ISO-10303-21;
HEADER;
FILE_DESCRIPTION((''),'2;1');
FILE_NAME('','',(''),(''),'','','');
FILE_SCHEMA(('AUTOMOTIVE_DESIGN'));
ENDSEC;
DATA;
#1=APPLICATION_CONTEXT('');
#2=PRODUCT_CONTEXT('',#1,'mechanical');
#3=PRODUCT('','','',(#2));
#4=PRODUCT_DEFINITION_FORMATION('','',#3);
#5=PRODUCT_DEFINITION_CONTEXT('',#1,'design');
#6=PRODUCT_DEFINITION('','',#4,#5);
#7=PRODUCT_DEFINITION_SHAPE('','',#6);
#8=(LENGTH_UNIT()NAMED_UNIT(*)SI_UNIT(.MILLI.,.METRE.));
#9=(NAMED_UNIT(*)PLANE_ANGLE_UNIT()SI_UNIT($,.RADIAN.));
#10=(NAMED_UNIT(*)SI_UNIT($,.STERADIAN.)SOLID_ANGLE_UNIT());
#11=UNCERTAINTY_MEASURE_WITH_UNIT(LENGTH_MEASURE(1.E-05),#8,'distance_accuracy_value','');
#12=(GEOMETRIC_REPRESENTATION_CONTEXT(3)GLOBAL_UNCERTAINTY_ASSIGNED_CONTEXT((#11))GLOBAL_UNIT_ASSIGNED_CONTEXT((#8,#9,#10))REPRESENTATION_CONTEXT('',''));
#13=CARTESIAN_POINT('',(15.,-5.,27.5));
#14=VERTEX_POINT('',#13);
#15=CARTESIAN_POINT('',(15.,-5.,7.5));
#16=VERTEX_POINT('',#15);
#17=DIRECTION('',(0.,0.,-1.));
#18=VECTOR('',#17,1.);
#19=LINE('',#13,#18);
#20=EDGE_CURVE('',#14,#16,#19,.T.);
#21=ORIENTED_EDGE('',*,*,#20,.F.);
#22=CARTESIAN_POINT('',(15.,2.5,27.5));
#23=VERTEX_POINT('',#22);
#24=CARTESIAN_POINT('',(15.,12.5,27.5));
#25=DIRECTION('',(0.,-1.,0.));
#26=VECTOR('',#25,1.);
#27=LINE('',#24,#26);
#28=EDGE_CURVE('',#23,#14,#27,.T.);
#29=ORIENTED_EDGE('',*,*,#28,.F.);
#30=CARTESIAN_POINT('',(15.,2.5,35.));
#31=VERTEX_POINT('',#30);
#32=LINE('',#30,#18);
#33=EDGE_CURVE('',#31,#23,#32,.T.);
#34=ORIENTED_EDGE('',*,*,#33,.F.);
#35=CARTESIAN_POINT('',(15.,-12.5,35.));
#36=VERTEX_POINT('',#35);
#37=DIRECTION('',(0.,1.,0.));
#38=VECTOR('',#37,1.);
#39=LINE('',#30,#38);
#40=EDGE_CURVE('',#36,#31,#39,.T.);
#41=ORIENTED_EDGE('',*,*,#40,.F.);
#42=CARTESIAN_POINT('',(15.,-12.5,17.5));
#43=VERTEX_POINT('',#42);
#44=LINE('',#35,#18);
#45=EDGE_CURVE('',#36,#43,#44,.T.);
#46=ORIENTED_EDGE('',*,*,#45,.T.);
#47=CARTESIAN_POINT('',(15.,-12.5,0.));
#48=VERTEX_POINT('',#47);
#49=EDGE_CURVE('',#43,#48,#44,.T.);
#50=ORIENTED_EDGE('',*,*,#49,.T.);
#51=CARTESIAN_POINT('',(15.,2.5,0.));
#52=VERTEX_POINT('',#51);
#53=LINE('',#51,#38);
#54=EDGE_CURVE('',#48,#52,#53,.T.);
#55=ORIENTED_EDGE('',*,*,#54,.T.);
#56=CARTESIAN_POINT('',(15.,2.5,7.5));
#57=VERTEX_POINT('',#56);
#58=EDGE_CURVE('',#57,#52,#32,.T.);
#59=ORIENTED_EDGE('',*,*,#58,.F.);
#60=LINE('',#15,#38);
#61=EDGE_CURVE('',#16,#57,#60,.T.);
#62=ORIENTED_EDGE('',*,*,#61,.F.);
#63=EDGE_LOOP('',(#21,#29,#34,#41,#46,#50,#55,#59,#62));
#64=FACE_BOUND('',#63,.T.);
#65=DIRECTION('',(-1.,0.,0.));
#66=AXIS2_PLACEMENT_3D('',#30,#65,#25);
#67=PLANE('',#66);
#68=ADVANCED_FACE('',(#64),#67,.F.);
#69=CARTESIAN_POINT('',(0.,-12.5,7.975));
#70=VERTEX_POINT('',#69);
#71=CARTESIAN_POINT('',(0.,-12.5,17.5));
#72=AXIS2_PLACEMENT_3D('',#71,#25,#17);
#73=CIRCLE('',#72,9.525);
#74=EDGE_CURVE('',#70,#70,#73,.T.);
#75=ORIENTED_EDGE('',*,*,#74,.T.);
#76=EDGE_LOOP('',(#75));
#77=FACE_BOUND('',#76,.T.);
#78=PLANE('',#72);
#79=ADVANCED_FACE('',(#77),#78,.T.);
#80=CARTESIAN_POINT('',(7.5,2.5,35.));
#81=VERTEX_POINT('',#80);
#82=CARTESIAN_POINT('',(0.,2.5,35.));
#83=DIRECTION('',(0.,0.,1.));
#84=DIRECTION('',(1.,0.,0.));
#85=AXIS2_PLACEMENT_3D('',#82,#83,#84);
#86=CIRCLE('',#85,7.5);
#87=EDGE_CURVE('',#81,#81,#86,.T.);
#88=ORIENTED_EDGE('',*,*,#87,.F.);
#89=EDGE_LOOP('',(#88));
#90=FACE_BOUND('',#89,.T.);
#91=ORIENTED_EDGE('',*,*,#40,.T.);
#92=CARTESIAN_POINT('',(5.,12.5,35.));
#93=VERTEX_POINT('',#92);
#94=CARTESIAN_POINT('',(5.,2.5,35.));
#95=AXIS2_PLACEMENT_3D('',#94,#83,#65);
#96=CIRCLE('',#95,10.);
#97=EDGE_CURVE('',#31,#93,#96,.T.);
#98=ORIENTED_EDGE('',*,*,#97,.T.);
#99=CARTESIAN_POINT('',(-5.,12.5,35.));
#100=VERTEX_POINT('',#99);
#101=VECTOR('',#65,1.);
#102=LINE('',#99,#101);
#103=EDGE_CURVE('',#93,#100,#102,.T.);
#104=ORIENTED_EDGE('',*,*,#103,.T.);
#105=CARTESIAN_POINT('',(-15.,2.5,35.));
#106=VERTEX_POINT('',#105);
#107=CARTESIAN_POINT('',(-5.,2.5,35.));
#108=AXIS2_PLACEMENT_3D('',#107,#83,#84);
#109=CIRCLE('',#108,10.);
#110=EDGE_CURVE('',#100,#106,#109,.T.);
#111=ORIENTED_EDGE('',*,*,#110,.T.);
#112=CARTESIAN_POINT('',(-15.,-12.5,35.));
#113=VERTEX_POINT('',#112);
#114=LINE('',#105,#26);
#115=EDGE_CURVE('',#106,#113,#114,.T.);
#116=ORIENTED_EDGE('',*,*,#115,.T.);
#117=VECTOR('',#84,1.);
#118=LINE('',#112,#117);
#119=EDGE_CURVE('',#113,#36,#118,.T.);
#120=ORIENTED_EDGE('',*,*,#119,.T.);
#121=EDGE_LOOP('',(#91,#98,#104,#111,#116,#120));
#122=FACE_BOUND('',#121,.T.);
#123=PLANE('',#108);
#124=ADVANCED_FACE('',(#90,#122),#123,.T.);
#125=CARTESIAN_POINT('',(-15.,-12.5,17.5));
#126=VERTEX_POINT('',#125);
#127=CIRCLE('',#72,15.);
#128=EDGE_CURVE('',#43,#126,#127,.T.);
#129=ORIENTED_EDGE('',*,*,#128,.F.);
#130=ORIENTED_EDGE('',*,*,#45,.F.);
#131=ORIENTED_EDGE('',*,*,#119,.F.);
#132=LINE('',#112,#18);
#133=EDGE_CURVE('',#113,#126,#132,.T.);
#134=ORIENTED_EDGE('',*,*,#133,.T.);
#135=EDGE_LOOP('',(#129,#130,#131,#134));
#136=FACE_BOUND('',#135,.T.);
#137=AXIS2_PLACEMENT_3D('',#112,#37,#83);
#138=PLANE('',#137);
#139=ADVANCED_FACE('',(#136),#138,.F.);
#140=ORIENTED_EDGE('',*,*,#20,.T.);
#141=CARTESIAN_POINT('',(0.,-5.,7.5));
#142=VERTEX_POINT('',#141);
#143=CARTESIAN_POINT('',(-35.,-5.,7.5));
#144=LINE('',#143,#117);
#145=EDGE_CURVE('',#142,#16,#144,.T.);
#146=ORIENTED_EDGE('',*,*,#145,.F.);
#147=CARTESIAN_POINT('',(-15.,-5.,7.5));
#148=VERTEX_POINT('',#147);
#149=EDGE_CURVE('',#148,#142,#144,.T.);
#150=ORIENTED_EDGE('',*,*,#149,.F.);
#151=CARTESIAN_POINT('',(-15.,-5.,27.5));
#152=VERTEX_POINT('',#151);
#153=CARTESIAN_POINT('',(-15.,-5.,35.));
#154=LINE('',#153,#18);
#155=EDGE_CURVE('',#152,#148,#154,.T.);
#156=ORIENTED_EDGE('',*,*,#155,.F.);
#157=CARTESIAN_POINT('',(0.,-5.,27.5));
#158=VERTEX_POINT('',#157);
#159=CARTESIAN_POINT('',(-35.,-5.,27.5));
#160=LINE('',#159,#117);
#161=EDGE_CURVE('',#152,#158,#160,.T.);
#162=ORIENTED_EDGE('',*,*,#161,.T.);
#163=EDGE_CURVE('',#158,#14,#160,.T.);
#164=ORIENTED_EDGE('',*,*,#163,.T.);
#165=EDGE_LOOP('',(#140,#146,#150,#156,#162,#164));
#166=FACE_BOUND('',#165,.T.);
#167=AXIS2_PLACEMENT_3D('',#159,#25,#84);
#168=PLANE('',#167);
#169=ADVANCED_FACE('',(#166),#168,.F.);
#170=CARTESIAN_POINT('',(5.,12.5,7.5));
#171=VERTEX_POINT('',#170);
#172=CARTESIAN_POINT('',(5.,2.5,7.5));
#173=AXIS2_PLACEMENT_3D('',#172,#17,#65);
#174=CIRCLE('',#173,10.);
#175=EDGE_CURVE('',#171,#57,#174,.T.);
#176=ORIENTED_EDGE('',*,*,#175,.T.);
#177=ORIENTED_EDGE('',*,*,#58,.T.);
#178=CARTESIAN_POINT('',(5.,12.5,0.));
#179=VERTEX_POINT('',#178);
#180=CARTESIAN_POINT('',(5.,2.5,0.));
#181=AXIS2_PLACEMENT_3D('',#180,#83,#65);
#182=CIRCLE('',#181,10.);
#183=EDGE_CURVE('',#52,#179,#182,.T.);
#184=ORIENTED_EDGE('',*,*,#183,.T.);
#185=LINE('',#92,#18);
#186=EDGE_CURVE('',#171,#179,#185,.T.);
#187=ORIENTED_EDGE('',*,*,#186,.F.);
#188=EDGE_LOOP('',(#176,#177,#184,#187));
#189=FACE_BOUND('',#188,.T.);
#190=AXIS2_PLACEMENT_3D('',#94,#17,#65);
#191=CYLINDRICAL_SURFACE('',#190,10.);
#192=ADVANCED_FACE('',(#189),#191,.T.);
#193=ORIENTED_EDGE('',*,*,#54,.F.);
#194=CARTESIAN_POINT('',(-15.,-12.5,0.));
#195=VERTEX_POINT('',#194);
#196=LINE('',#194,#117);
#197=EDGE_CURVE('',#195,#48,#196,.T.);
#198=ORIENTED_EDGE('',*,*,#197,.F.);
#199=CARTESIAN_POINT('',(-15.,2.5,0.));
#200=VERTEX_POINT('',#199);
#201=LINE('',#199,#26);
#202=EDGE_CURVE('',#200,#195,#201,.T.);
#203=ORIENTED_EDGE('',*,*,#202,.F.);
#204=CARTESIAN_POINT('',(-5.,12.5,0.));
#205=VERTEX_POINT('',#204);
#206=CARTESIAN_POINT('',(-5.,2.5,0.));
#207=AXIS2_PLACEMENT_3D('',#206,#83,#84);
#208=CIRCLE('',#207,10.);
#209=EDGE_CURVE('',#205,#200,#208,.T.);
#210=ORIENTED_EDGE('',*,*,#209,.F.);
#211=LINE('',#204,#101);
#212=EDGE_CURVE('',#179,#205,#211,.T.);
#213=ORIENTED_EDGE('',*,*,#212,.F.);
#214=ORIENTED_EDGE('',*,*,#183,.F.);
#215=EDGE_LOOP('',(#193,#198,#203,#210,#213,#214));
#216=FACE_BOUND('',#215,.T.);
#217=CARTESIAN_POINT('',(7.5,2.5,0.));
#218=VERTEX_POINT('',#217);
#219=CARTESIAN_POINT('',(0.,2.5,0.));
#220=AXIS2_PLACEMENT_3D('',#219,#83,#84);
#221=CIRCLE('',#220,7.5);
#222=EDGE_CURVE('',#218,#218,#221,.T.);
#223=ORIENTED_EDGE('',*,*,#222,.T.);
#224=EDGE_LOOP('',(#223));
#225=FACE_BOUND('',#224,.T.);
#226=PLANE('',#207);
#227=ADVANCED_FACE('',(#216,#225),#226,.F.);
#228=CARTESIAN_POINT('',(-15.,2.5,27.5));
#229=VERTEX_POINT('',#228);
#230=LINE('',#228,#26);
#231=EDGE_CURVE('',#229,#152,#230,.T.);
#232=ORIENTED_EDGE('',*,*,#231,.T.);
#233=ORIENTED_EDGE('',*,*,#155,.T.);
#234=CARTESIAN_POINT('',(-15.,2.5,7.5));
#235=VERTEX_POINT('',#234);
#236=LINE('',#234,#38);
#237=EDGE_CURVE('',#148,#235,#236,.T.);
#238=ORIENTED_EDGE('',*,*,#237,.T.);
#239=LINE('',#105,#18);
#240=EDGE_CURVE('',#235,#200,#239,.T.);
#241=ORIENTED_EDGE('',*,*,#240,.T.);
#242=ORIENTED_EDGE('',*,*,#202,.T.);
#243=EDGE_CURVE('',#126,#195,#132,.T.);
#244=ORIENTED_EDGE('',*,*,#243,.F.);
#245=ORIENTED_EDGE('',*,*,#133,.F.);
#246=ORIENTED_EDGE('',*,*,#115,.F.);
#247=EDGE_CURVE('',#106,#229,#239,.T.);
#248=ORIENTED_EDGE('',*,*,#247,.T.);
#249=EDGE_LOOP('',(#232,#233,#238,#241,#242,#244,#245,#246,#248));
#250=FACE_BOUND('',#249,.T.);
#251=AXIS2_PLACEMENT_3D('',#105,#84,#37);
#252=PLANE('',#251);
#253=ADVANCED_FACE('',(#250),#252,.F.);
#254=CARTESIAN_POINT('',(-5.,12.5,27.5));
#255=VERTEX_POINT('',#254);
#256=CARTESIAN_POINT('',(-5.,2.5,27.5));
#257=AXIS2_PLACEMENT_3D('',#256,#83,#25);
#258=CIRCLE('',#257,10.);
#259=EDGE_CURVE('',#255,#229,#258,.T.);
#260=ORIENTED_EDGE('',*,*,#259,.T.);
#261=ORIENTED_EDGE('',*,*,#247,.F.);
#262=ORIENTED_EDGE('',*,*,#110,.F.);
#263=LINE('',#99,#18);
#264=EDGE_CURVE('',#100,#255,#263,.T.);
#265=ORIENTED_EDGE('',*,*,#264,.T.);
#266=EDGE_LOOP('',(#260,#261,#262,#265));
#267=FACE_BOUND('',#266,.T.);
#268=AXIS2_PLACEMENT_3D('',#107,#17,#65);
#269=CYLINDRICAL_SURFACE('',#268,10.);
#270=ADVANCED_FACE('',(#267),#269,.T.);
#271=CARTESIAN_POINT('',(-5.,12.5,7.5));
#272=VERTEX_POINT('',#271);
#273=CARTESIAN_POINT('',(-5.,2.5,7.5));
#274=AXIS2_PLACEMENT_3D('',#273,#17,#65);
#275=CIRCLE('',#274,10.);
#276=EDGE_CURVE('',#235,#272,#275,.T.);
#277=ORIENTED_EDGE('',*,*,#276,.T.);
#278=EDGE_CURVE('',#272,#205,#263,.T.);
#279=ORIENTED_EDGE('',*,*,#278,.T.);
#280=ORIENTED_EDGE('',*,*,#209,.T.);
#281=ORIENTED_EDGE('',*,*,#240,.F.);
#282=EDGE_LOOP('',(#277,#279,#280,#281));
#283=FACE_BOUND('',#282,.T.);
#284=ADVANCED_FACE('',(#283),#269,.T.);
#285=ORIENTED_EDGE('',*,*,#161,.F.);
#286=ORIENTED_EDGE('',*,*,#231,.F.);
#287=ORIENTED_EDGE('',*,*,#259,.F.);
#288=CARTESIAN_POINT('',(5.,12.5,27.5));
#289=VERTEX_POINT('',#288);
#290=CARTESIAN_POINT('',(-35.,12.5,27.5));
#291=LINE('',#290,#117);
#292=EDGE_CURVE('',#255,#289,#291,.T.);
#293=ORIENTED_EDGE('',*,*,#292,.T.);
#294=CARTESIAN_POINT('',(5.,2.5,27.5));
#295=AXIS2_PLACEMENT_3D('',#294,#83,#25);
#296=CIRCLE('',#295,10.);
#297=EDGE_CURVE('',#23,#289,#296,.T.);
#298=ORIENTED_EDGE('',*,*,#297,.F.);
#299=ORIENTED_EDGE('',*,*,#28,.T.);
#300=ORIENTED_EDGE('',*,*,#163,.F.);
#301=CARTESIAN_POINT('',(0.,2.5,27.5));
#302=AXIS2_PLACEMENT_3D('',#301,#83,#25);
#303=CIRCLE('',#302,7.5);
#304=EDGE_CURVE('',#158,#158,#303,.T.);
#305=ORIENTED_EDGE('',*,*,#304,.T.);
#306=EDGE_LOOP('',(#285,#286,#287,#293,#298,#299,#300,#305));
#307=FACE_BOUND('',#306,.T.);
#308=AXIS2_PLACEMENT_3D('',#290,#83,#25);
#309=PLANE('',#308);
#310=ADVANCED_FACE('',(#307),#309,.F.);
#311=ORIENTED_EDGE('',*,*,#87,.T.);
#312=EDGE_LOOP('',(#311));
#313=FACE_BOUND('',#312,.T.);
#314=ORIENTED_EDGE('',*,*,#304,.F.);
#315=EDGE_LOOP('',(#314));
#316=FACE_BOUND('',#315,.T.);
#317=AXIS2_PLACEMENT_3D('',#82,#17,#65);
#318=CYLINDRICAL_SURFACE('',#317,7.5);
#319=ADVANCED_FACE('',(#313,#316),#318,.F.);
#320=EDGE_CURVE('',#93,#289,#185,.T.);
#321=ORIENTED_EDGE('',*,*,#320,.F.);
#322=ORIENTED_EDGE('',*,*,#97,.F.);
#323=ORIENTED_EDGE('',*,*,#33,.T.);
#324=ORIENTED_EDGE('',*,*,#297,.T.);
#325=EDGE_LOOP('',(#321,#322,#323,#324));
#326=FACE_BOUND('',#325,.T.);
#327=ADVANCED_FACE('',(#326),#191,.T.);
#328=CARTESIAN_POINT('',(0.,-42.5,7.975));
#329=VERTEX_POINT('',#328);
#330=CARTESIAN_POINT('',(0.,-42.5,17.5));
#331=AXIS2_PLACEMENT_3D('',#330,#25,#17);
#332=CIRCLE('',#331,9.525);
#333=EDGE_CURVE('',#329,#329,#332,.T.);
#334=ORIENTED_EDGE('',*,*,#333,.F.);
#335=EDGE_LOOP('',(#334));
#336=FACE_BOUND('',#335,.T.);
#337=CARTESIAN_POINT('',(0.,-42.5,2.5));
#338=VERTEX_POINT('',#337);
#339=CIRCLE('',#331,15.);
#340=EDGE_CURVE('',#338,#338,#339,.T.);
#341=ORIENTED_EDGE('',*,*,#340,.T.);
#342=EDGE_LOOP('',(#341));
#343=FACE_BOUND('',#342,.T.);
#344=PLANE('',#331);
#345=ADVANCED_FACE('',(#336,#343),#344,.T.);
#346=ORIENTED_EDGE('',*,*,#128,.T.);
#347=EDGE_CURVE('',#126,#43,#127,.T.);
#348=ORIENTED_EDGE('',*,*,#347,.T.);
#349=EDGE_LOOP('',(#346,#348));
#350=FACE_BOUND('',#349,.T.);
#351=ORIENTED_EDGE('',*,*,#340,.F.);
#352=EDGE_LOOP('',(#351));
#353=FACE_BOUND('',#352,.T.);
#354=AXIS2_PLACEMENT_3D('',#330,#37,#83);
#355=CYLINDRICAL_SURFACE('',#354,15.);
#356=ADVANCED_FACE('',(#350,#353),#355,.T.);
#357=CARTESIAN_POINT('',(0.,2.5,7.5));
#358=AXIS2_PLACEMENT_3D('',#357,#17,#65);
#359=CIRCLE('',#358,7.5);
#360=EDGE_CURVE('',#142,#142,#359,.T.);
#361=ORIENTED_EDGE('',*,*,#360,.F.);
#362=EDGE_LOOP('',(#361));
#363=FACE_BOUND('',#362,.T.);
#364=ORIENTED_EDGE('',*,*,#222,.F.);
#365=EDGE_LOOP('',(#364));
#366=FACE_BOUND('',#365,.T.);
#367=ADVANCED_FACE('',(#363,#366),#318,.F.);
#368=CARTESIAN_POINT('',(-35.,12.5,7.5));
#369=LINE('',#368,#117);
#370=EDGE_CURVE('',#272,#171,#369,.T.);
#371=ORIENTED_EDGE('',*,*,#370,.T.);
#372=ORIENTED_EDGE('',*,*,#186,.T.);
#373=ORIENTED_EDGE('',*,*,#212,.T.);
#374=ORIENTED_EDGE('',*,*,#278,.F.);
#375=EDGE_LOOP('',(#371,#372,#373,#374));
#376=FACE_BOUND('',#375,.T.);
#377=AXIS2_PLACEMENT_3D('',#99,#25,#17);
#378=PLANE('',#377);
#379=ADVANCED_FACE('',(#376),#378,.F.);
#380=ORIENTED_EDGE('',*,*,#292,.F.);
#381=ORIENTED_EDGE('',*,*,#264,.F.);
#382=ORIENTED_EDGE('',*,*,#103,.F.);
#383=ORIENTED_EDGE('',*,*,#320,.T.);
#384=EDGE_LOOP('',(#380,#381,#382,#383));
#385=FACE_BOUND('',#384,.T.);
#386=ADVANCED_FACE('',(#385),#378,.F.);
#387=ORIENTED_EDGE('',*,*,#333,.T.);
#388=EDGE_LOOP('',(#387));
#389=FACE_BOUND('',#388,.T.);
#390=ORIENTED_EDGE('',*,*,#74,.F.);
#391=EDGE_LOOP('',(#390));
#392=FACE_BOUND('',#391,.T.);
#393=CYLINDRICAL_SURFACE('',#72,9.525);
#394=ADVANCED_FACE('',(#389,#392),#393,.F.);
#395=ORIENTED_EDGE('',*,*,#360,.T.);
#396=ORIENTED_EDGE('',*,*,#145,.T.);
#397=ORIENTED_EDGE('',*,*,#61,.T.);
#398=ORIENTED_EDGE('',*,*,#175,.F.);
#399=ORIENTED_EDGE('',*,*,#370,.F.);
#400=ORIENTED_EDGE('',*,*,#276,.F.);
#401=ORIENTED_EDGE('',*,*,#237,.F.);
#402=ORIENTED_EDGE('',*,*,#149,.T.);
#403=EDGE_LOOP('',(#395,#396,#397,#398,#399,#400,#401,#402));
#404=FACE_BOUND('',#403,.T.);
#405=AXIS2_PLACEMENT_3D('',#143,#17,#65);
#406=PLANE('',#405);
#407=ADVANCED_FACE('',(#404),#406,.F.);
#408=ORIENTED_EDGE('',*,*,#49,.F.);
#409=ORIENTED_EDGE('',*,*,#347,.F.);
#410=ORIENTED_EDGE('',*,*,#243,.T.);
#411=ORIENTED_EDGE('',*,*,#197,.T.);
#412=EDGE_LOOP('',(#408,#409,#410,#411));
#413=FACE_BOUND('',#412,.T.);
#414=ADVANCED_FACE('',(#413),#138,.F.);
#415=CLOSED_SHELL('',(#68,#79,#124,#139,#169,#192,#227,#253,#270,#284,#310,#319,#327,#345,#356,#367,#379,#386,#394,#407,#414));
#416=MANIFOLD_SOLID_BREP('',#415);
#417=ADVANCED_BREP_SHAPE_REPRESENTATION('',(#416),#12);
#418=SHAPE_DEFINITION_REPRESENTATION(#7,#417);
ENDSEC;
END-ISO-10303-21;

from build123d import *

# Parameters (mm, degrees)
SKETCH1_R           = 7.5
BOSS_EXTRUDE1_DEPTH = 35
SKETCH2_W           = 20
SKETCH2_H           = 17.5
CUT_EXTRUDE1_DEPTH  = 50
SKETCH4_R           = 15
BOSS_EXTRUDE2_DEPTH = 30
SKETCH6_R           = 9.525
CUT_EXTRUDE2_DEPTH  = 30


with BuildPart() as part:
    # Sketch1 → Boss-Extrude1 (new body)
    with BuildSketch(Plane.XY):
        with BuildLine():
            Line((-5, 12.5), (5, 12.5))
            ThreePointArc((5, 12.5), (12.071067812, 9.571067812), (15, 2.5))
            Line((15, 2.5), (15, -12.5))
            Line((15, -12.5), (-15, -12.5))
            Line((-15, -12.5), (-15, 2.5))
            ThreePointArc((-15, 2.5), (-12.071067812, 9.571067812), (-5, 12.5))
        make_face()
        with Locations((0, 2.5)):
            Circle(SKETCH1_R, mode=Mode.SUBTRACT)
    extrude(amount=BOSS_EXTRUDE1_DEPTH)

    # Sketch2 → Cut-Extrude1 (cut)
    with BuildSketch(Plane(origin=(15, 0, 0), x_dir=(0, 0, -1), z_dir=(1, 0, 0))):
        with Locations((-17.5, 3.75)):
            Rectangle(SKETCH2_W, SKETCH2_H)
    extrude(amount=-CUT_EXTRUDE1_DEPTH, mode=Mode.SUBTRACT)

    # Sketch4 → Boss-Extrude2 (add)
    with BuildSketch(Plane.XZ.offset(12.5)):
        with Locations(Location((0, 17.5, 0), (0, 0, 180))):
            Circle(SKETCH4_R)
    extrude(amount=BOSS_EXTRUDE2_DEPTH)

    # Sketch6 → Cut-Extrude2 (cut)
    with BuildSketch(Plane.XZ.offset(42.5)):
        with Locations(Location((0, 17.5, 0), (0, 0, 270))):
            Circle(SKETCH6_R)
    extrude(amount=-CUT_EXTRUDE2_DEPTH, mode=Mode.SUBTRACT)


solid = part.part
